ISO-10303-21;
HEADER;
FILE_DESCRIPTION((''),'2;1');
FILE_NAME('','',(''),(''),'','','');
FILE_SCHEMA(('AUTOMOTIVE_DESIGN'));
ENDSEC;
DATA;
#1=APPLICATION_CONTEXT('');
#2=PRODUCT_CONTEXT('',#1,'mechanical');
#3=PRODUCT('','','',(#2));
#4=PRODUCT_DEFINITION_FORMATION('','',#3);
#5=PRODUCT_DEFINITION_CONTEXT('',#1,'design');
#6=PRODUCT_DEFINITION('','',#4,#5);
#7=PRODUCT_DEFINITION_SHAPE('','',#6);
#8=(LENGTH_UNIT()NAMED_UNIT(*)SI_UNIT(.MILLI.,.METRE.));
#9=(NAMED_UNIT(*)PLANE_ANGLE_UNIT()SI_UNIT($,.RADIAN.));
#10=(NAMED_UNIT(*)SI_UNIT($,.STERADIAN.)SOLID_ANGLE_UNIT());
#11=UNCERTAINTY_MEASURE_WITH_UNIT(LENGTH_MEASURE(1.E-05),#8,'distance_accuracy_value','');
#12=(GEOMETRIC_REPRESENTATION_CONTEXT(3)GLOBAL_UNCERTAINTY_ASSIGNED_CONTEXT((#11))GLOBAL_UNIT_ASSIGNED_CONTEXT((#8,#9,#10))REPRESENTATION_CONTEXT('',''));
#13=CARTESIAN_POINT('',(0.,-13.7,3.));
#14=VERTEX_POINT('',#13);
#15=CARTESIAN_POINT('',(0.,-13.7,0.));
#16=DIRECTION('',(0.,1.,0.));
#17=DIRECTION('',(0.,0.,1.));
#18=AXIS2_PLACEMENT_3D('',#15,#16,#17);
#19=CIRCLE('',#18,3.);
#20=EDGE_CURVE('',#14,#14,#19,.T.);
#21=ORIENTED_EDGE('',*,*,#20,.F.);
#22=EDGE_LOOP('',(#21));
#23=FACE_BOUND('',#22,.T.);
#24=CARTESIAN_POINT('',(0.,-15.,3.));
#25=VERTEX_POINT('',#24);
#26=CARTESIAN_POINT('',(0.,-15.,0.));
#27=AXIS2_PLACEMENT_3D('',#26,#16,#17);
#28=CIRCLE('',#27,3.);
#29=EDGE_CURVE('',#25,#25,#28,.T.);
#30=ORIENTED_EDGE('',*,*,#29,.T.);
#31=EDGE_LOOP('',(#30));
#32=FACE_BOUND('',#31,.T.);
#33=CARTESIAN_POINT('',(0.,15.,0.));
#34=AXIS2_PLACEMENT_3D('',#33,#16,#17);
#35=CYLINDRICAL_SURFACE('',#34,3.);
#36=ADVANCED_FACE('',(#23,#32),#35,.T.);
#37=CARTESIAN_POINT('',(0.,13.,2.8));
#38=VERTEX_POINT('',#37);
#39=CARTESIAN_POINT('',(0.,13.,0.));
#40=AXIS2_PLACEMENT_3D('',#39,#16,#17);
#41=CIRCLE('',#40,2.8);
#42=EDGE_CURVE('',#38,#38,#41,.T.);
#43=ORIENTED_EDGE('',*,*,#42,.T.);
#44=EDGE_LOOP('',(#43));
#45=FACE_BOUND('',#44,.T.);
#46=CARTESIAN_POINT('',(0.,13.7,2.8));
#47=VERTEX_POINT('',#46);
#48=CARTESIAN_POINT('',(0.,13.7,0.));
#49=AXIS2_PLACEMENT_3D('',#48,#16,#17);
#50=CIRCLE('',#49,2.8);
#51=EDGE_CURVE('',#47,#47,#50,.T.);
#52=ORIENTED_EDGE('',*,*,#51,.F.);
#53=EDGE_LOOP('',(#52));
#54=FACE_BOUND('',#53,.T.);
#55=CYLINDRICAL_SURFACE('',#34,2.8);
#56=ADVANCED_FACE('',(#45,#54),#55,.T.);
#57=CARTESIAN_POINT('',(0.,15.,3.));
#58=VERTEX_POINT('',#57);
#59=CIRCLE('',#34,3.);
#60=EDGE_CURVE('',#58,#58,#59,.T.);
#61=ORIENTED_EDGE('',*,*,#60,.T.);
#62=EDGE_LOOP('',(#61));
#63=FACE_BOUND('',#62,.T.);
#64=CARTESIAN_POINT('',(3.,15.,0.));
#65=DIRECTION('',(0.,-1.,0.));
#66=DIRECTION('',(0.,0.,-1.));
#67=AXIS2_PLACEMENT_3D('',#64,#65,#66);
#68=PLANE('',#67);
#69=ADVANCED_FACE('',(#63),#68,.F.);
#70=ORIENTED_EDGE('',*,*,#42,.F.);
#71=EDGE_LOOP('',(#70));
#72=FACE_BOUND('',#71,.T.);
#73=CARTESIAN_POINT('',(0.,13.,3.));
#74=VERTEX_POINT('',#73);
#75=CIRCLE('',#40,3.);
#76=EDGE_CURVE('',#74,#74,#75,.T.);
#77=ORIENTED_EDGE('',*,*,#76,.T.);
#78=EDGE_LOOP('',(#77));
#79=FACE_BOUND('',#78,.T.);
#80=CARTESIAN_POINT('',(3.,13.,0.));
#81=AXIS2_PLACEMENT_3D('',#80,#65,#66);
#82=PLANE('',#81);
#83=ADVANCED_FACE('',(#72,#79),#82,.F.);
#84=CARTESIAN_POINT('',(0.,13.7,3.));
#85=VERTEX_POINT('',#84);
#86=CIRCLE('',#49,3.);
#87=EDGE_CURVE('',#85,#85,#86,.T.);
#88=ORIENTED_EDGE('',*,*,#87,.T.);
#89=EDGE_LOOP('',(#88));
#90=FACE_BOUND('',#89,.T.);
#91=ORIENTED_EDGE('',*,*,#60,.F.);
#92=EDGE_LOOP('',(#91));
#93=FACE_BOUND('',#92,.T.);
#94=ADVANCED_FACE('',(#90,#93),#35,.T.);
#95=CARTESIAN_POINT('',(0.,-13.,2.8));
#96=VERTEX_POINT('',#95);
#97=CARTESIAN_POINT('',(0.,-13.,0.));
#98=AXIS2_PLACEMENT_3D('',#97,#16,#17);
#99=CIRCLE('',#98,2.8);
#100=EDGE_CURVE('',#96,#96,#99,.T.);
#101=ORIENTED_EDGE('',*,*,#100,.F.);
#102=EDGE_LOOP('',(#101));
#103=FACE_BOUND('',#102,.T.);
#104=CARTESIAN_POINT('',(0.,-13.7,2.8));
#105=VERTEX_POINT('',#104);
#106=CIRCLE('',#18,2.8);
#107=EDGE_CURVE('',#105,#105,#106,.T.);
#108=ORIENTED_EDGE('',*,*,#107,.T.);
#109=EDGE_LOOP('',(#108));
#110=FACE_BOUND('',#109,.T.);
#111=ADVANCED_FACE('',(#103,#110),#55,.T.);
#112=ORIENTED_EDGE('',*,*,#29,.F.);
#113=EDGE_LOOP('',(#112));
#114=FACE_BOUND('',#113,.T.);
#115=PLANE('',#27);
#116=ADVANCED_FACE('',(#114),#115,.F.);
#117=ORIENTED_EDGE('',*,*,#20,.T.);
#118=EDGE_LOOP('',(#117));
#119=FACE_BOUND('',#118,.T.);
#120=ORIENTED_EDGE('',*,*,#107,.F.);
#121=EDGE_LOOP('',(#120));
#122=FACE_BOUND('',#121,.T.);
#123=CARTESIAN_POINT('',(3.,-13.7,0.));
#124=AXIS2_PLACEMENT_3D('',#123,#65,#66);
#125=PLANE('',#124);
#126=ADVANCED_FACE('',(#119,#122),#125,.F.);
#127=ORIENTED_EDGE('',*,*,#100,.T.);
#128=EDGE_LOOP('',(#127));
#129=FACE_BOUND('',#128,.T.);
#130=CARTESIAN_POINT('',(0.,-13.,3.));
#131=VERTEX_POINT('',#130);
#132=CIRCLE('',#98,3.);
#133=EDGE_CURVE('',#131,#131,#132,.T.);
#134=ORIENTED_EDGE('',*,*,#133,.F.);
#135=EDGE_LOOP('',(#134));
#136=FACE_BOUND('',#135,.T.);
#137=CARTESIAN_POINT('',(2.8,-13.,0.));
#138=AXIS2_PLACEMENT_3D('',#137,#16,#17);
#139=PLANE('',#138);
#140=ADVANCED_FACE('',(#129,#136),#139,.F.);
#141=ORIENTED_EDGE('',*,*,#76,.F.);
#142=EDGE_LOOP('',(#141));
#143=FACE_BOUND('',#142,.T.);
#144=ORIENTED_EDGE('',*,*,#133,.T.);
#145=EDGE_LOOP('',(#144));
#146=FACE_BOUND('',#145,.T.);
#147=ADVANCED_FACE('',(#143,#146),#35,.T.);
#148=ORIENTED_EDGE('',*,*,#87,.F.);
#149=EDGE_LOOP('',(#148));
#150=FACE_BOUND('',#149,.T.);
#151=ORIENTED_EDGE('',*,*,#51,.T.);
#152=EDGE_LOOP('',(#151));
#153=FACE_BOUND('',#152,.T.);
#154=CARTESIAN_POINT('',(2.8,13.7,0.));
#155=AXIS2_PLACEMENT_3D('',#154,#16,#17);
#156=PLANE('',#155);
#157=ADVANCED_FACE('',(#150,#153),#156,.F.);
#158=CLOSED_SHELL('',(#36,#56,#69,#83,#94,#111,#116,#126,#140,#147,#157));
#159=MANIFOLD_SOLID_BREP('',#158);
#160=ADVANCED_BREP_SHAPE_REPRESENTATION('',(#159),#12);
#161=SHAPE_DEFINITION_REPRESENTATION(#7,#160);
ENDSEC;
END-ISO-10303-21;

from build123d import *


with BuildPart() as part:
    # 草图1 → 旋转1 (revolve)
    with BuildSketch(Plane.XY):
        Polygon((0, -15), (3, -15), (3, -13.7), (2.8, -13.7), (2.8, -13), (3, -13), (3, 13), (2.8, 13), (2.8, 13.7), (3, 13.7), (3, 15), (0, 15), align=None)
    revolve(axis=Axis((0, 15, 0), (0, -1, 0)))


solid = part.part
